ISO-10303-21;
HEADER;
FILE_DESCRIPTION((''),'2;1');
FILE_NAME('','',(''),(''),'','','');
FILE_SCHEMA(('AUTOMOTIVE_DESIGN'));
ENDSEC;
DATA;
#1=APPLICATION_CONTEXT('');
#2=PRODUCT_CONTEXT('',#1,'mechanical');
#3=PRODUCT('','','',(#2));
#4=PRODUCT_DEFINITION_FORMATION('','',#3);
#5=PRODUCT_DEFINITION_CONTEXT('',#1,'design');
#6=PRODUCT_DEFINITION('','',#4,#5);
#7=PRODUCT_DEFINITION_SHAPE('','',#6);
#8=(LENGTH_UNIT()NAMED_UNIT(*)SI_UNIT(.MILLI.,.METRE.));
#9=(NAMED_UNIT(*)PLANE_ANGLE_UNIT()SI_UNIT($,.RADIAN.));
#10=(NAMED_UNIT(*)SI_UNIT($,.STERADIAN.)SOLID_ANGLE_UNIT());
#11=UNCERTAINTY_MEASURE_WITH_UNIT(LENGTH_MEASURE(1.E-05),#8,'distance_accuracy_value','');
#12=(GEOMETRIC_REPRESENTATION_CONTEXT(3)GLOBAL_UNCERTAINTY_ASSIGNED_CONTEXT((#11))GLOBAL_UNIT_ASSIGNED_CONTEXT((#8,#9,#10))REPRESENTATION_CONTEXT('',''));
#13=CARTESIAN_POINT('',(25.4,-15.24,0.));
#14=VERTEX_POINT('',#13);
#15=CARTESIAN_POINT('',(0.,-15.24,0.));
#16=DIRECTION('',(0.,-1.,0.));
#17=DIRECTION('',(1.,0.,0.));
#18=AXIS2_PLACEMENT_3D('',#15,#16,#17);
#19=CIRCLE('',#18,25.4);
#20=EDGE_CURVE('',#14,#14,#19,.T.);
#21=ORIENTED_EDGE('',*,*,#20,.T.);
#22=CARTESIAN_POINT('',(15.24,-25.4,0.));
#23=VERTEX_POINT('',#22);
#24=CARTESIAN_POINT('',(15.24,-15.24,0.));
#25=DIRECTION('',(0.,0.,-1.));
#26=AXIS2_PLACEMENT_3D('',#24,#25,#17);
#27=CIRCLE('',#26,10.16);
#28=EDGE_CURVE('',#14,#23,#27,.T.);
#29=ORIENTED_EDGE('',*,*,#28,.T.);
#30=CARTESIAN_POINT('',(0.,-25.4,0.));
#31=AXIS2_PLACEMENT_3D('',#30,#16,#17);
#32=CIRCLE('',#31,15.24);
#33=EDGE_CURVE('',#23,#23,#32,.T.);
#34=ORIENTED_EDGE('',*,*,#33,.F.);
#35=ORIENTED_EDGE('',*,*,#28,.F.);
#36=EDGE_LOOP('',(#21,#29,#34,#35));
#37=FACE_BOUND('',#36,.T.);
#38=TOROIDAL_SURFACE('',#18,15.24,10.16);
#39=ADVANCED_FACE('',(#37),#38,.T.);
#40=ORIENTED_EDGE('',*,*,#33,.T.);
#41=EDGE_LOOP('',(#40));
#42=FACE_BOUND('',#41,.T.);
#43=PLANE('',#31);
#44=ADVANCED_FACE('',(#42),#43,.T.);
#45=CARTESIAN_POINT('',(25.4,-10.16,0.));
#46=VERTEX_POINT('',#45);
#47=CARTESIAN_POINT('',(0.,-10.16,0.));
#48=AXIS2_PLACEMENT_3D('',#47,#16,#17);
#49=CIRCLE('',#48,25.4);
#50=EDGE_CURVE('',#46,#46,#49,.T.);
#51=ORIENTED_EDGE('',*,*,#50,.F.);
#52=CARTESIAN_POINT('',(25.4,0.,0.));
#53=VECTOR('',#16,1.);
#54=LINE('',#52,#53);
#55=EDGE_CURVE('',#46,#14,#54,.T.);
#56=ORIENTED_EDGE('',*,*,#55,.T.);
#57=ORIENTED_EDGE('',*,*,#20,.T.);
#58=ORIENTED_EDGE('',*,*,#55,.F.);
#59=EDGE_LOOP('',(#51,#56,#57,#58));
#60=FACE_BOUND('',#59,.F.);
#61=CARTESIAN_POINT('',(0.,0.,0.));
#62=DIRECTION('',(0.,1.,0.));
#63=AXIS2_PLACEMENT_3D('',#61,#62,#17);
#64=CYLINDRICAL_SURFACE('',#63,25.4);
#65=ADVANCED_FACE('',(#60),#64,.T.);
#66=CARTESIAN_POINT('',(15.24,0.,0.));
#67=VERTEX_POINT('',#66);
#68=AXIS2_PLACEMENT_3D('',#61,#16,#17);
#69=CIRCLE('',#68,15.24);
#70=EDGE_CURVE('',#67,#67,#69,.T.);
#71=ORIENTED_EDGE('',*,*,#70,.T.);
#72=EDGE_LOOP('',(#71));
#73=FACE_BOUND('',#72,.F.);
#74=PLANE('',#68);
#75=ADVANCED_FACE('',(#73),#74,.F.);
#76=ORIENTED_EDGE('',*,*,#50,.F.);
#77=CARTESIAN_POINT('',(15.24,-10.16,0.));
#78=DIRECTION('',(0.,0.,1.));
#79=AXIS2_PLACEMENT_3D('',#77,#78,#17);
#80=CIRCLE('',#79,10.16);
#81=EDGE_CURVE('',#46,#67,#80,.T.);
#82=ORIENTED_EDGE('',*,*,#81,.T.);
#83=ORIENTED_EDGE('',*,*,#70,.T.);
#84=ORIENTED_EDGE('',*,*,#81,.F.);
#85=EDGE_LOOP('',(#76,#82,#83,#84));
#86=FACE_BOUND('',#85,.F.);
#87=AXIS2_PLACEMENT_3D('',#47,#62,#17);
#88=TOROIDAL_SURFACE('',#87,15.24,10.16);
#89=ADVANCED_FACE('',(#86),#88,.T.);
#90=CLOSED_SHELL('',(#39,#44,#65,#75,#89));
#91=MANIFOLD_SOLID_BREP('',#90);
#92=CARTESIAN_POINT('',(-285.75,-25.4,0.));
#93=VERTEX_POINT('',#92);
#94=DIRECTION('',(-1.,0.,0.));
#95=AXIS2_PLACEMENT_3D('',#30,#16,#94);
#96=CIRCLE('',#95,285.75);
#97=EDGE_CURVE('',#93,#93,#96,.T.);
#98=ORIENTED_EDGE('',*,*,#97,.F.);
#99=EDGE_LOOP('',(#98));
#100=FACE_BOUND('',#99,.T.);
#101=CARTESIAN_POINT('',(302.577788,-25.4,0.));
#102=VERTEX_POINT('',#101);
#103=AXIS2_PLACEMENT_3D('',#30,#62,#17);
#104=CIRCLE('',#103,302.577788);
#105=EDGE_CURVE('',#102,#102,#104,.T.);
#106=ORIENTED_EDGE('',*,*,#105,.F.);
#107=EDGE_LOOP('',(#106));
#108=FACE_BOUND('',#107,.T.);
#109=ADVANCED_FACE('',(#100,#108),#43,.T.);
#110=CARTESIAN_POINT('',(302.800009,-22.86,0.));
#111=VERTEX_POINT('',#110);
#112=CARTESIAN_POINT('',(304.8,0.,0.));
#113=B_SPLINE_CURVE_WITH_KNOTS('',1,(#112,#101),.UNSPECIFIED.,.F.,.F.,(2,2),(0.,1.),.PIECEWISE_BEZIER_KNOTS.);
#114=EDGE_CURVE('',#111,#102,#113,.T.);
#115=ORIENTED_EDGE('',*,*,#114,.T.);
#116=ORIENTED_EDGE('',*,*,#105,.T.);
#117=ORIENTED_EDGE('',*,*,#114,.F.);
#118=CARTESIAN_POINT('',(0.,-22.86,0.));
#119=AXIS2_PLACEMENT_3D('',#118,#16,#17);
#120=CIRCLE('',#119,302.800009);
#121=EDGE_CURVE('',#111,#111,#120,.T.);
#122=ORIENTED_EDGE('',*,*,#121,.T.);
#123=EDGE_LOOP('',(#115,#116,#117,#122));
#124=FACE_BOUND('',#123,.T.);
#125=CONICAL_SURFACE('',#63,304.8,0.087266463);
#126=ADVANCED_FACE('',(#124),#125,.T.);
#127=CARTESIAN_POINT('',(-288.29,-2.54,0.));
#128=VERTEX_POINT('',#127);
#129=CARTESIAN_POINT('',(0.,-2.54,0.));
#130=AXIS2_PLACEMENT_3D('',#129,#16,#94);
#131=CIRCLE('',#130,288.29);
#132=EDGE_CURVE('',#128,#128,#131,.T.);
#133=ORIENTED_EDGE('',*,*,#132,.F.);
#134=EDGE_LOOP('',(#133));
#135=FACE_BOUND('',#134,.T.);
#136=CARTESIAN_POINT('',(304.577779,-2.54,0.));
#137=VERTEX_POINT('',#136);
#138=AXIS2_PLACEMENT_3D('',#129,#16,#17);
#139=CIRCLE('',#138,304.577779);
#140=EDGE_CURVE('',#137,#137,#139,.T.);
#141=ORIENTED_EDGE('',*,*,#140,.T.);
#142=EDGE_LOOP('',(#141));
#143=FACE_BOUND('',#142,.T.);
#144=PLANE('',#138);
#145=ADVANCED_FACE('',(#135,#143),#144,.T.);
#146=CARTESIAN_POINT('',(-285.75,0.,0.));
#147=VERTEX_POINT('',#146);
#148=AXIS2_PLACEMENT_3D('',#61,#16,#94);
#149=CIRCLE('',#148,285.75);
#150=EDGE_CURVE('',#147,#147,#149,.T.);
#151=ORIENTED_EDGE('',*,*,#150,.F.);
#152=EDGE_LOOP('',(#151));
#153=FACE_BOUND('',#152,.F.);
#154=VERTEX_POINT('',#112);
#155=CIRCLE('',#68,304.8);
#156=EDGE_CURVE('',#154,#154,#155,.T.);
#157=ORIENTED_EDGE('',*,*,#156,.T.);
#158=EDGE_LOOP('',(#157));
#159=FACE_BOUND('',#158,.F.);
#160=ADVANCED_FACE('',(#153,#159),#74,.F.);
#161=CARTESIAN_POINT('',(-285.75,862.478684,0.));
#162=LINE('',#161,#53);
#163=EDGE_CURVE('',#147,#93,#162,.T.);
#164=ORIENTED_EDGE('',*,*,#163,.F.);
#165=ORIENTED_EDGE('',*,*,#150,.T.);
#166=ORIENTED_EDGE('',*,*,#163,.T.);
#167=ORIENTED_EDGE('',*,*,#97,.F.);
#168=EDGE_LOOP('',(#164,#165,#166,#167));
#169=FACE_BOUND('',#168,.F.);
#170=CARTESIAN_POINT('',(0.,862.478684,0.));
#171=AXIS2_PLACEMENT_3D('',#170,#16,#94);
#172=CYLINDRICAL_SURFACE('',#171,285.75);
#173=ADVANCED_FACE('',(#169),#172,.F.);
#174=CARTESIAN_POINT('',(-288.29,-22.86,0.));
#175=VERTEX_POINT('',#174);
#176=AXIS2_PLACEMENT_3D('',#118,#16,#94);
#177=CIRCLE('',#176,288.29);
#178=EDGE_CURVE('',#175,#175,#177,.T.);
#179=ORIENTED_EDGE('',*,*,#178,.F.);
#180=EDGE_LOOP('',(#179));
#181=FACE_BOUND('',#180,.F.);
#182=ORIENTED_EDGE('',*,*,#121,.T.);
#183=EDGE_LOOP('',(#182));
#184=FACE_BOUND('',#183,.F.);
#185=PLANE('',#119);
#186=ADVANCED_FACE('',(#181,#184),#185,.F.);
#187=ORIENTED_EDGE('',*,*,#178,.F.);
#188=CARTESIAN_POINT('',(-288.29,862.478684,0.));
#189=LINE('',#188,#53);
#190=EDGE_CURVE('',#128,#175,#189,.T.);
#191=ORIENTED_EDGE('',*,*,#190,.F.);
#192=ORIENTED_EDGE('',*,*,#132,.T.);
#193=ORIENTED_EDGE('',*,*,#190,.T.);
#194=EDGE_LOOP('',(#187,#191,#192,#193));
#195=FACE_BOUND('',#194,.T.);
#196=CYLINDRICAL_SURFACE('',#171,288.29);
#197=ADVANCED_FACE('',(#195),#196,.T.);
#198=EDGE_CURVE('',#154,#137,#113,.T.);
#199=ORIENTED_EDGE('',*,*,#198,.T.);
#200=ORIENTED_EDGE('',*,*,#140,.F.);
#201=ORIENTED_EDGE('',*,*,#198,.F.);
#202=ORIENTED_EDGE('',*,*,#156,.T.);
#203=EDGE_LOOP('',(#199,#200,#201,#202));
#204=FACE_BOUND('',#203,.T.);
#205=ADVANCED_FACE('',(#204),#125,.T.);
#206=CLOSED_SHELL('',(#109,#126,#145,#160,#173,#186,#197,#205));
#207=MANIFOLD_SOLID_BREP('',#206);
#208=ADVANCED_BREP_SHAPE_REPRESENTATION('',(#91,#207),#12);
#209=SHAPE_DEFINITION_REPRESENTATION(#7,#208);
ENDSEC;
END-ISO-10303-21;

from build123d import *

# Parameters (mm, degrees)
F0_R     = 304.8
F2_DEPTH = 25.4
F2_TAPER = 5
F3_D     = 571.5
F4_T     = -2.54
F5_R     = 25.4
F6_DEPTH = 25.4
F7_R     = 10.16
F8_R     = 10.16


with BuildPart() as f2:
    # F0 (on Front) → F2 (new body)
    with BuildSketch(Plane.XZ):
        Circle(F0_R)
    extrude(amount=F2_DEPTH, taper=F2_TAPER)

    # F3 (through all)
    with Locations(Plane(origin=(0, 0, 0), x_dir=(1, 0, 0), z_dir=(0, 1, 0))):
        with Locations((0, 0)):
            Hole(F3_D / 2)

    # F4
    f4_openings = [f2.faces().sort_by_distance(p)[0] for p in [
        (-303.688894, -12.7, 0),
    ]]
    offset(amount=F4_T, openings=f4_openings)


with BuildPart() as f6:
    # F5 (on face) → F6 (new body)
    with BuildSketch(Plane.XZ):
        Circle(F5_R)
    extrude(amount=F6_DEPTH)

    # F7
    f7_edges = [f6.edges().sort_by_distance(p)[0] for p in [
        (-25.4, -25.4, 0),
    ]]
    fillet(f7_edges, radius=F7_R)

    # F8
    f8_edges = [f6.edges().sort_by_distance(p)[0] for p in [
        (-25.4, 0, 0),
    ]]
    fillet(f8_edges, radius=F8_R)


solid = Compound([f2.part, f6.part])
